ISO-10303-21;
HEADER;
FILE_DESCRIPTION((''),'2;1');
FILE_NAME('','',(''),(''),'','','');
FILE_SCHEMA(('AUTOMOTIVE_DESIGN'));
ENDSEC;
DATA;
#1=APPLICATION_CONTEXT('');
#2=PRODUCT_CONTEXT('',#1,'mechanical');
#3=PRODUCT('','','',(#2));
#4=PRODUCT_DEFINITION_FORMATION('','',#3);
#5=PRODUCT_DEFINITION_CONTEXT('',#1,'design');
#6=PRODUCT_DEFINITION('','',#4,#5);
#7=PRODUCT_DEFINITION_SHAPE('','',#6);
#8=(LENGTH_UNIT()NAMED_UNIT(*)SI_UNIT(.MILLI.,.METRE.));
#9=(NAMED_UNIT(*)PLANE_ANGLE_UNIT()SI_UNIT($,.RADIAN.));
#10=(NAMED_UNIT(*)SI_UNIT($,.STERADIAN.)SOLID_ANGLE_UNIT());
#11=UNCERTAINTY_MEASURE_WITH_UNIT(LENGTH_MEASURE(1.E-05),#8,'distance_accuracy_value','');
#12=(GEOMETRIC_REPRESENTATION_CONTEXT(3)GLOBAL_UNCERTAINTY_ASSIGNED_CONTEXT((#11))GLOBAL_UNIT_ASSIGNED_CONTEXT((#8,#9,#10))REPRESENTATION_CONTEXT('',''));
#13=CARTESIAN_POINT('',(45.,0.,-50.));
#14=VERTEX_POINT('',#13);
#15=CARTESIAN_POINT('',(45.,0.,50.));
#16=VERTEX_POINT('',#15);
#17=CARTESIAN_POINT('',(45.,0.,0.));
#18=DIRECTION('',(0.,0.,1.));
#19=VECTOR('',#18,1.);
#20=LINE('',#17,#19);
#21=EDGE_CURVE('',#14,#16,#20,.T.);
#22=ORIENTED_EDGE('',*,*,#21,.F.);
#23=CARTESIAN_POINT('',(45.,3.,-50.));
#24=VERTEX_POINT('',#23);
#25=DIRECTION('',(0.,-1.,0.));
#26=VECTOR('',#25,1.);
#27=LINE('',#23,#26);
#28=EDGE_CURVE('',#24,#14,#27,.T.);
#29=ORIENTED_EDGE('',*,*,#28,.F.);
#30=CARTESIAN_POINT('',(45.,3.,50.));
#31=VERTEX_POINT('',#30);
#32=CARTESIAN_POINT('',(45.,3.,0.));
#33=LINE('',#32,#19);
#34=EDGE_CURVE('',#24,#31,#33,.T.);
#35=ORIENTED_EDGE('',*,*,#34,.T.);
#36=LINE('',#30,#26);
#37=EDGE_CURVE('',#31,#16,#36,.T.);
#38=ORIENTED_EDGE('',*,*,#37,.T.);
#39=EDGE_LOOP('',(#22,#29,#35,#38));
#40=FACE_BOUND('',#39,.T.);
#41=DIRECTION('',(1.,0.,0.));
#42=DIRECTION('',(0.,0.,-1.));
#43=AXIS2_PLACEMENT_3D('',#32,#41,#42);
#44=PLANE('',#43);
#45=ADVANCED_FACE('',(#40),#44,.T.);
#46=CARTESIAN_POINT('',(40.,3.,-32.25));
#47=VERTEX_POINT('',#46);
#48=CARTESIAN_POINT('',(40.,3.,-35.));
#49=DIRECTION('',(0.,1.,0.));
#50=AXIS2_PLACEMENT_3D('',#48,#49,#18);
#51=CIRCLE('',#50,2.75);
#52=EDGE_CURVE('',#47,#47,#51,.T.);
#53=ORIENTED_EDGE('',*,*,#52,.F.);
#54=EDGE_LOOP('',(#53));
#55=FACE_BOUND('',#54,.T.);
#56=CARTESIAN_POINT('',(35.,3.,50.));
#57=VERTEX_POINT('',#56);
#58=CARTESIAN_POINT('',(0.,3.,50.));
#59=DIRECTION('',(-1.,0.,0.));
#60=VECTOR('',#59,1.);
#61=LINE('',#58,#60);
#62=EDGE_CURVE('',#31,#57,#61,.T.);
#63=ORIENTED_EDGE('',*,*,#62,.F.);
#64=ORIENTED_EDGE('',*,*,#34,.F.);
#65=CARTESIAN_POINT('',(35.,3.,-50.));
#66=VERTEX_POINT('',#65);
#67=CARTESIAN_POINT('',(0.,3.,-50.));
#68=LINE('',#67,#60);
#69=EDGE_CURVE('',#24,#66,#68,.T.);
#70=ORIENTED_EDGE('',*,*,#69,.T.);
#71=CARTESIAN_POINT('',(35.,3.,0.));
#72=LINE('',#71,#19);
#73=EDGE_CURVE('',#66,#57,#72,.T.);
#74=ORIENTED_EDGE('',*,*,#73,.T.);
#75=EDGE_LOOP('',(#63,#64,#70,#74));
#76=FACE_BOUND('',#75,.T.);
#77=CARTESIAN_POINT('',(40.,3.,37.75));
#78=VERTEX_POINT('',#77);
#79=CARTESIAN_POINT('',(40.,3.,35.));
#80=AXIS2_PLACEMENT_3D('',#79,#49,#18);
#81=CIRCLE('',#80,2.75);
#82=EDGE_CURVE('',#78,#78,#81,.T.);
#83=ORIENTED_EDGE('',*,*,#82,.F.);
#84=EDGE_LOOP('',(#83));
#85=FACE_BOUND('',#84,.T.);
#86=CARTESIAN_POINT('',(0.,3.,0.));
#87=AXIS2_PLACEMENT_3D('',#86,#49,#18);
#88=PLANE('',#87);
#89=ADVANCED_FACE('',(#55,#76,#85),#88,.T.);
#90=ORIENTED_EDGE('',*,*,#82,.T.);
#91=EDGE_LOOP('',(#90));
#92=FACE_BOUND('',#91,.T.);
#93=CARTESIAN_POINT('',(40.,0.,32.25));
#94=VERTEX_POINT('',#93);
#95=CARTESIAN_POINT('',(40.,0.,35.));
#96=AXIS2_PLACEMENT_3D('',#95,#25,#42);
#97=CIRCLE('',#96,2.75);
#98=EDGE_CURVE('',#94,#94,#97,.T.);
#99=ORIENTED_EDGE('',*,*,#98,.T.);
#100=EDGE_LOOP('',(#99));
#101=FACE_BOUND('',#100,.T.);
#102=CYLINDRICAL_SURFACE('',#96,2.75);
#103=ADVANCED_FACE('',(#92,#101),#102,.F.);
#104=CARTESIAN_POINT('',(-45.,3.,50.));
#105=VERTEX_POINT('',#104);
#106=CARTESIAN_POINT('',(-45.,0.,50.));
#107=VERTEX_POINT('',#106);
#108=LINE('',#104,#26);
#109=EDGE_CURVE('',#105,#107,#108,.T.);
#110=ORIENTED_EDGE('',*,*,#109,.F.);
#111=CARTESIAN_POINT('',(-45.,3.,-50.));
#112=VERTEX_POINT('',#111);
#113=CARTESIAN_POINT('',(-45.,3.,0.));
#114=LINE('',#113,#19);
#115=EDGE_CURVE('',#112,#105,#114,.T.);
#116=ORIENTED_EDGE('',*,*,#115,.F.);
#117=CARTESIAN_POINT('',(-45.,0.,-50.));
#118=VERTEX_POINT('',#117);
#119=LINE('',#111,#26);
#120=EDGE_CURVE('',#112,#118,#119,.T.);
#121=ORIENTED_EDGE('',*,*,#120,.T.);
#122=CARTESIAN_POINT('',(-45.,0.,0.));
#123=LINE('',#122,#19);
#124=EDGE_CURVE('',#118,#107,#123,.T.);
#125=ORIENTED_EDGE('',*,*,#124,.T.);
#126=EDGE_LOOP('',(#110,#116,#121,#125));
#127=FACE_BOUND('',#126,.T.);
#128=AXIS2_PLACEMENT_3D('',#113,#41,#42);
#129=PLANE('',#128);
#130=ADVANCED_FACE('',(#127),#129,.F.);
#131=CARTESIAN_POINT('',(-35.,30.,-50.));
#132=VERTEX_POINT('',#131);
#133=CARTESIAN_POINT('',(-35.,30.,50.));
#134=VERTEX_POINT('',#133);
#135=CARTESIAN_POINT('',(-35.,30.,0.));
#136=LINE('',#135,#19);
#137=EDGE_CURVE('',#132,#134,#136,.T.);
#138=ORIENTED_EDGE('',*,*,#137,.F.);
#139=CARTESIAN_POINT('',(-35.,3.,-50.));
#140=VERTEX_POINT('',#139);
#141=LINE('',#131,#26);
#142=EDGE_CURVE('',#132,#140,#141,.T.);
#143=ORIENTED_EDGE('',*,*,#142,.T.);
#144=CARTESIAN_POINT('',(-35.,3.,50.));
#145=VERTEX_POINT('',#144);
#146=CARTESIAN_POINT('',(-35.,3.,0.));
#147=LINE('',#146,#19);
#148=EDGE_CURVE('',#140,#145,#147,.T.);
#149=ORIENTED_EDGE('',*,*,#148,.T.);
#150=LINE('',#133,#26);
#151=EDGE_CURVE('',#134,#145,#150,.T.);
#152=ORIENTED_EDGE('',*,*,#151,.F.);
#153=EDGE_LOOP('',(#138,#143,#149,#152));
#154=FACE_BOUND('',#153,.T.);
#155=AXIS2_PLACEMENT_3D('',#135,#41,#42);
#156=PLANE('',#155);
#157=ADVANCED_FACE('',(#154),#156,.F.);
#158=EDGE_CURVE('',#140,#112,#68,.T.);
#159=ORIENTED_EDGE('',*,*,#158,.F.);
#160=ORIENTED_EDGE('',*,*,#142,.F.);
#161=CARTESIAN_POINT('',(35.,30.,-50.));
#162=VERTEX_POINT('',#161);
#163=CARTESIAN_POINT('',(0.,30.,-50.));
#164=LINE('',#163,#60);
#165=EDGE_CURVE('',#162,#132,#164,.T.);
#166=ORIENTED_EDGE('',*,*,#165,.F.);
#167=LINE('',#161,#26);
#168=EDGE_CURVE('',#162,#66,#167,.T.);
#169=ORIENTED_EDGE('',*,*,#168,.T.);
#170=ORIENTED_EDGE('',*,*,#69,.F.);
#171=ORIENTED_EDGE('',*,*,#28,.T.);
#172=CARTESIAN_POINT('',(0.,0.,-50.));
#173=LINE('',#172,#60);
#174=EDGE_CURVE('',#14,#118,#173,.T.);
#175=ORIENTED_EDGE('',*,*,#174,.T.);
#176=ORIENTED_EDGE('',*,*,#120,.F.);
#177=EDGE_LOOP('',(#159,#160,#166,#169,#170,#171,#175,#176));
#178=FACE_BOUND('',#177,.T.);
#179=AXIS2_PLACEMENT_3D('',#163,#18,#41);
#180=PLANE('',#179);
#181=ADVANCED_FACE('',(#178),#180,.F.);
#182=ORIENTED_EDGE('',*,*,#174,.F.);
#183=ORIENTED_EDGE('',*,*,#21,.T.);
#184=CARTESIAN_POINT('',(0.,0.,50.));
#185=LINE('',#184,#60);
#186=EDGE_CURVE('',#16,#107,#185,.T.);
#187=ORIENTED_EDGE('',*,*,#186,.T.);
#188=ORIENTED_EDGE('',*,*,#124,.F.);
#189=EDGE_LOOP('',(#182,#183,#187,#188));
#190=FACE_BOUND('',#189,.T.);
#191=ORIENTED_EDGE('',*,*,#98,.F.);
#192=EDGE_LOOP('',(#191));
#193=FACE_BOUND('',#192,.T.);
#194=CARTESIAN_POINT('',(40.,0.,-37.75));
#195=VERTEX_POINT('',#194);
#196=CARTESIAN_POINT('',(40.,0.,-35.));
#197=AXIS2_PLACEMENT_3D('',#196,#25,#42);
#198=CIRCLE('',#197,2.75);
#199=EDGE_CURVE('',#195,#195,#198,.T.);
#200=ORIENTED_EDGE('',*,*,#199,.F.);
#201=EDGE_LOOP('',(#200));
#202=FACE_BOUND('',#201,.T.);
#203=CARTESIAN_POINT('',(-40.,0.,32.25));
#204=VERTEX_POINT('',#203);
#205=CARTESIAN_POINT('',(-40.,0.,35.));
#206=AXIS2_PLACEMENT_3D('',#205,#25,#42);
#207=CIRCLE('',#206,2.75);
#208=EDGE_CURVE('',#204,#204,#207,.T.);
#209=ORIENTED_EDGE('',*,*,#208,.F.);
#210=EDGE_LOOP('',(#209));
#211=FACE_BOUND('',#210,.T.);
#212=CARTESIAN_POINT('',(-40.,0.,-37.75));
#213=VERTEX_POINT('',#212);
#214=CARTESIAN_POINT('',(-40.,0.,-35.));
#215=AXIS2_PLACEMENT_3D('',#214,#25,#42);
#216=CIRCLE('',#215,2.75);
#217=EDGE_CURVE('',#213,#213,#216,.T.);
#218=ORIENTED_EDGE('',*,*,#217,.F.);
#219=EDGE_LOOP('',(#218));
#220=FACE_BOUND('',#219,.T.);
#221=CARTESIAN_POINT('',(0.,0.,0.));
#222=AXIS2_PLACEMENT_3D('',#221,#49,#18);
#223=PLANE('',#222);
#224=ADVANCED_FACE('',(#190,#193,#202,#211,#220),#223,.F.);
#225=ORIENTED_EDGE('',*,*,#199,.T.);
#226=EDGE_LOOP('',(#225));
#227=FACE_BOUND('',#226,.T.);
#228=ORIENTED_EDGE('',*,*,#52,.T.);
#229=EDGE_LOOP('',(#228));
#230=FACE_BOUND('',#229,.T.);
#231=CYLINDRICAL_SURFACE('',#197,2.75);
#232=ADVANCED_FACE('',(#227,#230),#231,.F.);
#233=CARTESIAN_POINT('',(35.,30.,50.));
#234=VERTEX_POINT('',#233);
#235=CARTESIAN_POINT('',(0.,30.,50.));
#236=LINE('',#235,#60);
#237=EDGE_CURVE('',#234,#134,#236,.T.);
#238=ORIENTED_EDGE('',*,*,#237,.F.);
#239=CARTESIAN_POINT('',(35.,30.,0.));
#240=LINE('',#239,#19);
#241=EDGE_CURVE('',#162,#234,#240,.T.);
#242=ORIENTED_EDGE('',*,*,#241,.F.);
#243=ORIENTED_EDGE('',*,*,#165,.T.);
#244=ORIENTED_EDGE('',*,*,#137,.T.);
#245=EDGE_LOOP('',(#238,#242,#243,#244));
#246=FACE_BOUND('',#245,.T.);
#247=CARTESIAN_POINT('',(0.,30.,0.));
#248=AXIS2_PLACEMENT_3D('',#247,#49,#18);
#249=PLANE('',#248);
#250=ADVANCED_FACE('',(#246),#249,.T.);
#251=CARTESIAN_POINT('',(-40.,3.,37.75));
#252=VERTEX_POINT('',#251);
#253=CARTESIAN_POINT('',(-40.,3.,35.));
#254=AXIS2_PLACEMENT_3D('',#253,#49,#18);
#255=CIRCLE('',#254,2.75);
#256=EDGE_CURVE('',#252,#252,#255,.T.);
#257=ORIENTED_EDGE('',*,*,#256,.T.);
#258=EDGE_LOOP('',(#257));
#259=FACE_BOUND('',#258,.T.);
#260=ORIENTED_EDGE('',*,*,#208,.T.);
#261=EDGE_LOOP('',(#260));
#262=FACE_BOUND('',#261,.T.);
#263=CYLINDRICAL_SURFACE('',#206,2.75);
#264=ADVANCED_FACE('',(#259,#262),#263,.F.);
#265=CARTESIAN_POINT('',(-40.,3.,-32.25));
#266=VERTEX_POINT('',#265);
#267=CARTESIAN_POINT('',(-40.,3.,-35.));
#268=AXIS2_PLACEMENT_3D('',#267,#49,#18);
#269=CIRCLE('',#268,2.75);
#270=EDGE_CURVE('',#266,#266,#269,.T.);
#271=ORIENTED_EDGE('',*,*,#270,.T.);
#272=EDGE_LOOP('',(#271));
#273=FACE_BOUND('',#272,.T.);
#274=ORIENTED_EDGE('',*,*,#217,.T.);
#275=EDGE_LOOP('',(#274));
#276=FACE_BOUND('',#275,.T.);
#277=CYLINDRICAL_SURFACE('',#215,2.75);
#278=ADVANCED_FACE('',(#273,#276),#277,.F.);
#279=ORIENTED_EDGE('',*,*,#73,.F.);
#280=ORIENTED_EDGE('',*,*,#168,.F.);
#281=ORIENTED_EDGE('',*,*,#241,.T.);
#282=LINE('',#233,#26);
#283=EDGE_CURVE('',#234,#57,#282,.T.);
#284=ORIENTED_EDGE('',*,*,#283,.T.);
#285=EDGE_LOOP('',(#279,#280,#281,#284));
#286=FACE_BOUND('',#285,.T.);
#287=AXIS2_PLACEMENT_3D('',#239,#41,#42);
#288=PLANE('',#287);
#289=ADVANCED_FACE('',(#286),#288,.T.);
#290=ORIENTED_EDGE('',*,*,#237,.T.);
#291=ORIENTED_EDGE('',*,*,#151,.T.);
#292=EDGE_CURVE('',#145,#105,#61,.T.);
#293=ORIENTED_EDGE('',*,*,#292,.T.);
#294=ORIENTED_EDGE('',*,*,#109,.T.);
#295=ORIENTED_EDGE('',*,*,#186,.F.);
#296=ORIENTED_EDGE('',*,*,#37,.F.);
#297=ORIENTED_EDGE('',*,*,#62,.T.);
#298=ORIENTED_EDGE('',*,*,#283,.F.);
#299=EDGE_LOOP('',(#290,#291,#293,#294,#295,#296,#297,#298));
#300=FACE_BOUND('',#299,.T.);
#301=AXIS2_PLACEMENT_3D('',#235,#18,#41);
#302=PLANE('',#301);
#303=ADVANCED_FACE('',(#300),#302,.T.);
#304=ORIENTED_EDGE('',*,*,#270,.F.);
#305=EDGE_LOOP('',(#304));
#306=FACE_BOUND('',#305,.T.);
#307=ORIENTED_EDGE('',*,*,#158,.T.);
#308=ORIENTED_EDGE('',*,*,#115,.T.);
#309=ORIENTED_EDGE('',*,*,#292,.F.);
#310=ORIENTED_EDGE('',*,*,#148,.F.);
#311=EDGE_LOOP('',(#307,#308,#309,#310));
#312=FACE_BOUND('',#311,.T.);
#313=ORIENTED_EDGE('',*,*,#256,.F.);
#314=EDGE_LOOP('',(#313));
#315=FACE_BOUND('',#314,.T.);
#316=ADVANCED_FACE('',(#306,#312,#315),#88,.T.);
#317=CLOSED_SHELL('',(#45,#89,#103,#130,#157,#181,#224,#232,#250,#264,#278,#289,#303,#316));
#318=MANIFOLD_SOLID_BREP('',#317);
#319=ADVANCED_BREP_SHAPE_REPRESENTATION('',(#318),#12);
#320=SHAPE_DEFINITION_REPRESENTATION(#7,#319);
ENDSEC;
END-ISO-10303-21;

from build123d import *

# Parameters (mm, degrees)
SKETCH1_W                = 70
SKETCH1_H                = 100
BOSS_EXTRUDE1_DEPTH      = 30
BOSS_EXTRUDE3_DEPTH      = 3
M5_CLEARANCE_SLOT1_D     = 5.5
M5_CLEARANCE_SLOT1_DEPTH = 22.25
M5_CLEARANCE_SLOT1_TIP   = 1.652366702


with BuildPart() as part:
    # Sketch1 → Boss-Extrude1 (new body)
    with BuildSketch(Plane(origin=(0, 0, 0), x_dir=(1, 0, 0), z_dir=(0, 1, 0))):
        Rectangle(SKETCH1_W, SKETCH1_H)
    extrude(amount=BOSS_EXTRUDE1_DEPTH)

    # Sketch1<4> → Boss-Extrude3 (add)
    with BuildSketch(Plane(origin=(0, 0, 0), x_dir=(1, 0, 0), z_dir=(0, 1, 0))):
        Polygon((-35, -50), (-35, 50), (-45, 50), (-45, 35), (-45, -35), (-45, -50), align=None)
        Polygon((45, 35), (45, 50), (35, 50), (35, -50), (45, -50), (45, -35), align=None)
    extrude(amount=BOSS_EXTRUDE3_DEPTH)

    # M5 Clearance Slot1
    with Locations(Plane(origin=(0, 0, 0), x_dir=(-1, 0, 0), z_dir=(0, -1, 0))):
        with Locations((40, 35), (40, -35), (-40, 35), (-40, -35)):
            Hole(M5_CLEARANCE_SLOT1_D / 2, depth=M5_CLEARANCE_SLOT1_DEPTH)
            with Locations((0, 0, -(M5_CLEARANCE_SLOT1_DEPTH + M5_CLEARANCE_SLOT1_TIP / 2))):  # 118° drill point
                Cone(0, M5_CLEARANCE_SLOT1_D / 2, M5_CLEARANCE_SLOT1_TIP, mode=Mode.SUBTRACT)


solid = part.part
